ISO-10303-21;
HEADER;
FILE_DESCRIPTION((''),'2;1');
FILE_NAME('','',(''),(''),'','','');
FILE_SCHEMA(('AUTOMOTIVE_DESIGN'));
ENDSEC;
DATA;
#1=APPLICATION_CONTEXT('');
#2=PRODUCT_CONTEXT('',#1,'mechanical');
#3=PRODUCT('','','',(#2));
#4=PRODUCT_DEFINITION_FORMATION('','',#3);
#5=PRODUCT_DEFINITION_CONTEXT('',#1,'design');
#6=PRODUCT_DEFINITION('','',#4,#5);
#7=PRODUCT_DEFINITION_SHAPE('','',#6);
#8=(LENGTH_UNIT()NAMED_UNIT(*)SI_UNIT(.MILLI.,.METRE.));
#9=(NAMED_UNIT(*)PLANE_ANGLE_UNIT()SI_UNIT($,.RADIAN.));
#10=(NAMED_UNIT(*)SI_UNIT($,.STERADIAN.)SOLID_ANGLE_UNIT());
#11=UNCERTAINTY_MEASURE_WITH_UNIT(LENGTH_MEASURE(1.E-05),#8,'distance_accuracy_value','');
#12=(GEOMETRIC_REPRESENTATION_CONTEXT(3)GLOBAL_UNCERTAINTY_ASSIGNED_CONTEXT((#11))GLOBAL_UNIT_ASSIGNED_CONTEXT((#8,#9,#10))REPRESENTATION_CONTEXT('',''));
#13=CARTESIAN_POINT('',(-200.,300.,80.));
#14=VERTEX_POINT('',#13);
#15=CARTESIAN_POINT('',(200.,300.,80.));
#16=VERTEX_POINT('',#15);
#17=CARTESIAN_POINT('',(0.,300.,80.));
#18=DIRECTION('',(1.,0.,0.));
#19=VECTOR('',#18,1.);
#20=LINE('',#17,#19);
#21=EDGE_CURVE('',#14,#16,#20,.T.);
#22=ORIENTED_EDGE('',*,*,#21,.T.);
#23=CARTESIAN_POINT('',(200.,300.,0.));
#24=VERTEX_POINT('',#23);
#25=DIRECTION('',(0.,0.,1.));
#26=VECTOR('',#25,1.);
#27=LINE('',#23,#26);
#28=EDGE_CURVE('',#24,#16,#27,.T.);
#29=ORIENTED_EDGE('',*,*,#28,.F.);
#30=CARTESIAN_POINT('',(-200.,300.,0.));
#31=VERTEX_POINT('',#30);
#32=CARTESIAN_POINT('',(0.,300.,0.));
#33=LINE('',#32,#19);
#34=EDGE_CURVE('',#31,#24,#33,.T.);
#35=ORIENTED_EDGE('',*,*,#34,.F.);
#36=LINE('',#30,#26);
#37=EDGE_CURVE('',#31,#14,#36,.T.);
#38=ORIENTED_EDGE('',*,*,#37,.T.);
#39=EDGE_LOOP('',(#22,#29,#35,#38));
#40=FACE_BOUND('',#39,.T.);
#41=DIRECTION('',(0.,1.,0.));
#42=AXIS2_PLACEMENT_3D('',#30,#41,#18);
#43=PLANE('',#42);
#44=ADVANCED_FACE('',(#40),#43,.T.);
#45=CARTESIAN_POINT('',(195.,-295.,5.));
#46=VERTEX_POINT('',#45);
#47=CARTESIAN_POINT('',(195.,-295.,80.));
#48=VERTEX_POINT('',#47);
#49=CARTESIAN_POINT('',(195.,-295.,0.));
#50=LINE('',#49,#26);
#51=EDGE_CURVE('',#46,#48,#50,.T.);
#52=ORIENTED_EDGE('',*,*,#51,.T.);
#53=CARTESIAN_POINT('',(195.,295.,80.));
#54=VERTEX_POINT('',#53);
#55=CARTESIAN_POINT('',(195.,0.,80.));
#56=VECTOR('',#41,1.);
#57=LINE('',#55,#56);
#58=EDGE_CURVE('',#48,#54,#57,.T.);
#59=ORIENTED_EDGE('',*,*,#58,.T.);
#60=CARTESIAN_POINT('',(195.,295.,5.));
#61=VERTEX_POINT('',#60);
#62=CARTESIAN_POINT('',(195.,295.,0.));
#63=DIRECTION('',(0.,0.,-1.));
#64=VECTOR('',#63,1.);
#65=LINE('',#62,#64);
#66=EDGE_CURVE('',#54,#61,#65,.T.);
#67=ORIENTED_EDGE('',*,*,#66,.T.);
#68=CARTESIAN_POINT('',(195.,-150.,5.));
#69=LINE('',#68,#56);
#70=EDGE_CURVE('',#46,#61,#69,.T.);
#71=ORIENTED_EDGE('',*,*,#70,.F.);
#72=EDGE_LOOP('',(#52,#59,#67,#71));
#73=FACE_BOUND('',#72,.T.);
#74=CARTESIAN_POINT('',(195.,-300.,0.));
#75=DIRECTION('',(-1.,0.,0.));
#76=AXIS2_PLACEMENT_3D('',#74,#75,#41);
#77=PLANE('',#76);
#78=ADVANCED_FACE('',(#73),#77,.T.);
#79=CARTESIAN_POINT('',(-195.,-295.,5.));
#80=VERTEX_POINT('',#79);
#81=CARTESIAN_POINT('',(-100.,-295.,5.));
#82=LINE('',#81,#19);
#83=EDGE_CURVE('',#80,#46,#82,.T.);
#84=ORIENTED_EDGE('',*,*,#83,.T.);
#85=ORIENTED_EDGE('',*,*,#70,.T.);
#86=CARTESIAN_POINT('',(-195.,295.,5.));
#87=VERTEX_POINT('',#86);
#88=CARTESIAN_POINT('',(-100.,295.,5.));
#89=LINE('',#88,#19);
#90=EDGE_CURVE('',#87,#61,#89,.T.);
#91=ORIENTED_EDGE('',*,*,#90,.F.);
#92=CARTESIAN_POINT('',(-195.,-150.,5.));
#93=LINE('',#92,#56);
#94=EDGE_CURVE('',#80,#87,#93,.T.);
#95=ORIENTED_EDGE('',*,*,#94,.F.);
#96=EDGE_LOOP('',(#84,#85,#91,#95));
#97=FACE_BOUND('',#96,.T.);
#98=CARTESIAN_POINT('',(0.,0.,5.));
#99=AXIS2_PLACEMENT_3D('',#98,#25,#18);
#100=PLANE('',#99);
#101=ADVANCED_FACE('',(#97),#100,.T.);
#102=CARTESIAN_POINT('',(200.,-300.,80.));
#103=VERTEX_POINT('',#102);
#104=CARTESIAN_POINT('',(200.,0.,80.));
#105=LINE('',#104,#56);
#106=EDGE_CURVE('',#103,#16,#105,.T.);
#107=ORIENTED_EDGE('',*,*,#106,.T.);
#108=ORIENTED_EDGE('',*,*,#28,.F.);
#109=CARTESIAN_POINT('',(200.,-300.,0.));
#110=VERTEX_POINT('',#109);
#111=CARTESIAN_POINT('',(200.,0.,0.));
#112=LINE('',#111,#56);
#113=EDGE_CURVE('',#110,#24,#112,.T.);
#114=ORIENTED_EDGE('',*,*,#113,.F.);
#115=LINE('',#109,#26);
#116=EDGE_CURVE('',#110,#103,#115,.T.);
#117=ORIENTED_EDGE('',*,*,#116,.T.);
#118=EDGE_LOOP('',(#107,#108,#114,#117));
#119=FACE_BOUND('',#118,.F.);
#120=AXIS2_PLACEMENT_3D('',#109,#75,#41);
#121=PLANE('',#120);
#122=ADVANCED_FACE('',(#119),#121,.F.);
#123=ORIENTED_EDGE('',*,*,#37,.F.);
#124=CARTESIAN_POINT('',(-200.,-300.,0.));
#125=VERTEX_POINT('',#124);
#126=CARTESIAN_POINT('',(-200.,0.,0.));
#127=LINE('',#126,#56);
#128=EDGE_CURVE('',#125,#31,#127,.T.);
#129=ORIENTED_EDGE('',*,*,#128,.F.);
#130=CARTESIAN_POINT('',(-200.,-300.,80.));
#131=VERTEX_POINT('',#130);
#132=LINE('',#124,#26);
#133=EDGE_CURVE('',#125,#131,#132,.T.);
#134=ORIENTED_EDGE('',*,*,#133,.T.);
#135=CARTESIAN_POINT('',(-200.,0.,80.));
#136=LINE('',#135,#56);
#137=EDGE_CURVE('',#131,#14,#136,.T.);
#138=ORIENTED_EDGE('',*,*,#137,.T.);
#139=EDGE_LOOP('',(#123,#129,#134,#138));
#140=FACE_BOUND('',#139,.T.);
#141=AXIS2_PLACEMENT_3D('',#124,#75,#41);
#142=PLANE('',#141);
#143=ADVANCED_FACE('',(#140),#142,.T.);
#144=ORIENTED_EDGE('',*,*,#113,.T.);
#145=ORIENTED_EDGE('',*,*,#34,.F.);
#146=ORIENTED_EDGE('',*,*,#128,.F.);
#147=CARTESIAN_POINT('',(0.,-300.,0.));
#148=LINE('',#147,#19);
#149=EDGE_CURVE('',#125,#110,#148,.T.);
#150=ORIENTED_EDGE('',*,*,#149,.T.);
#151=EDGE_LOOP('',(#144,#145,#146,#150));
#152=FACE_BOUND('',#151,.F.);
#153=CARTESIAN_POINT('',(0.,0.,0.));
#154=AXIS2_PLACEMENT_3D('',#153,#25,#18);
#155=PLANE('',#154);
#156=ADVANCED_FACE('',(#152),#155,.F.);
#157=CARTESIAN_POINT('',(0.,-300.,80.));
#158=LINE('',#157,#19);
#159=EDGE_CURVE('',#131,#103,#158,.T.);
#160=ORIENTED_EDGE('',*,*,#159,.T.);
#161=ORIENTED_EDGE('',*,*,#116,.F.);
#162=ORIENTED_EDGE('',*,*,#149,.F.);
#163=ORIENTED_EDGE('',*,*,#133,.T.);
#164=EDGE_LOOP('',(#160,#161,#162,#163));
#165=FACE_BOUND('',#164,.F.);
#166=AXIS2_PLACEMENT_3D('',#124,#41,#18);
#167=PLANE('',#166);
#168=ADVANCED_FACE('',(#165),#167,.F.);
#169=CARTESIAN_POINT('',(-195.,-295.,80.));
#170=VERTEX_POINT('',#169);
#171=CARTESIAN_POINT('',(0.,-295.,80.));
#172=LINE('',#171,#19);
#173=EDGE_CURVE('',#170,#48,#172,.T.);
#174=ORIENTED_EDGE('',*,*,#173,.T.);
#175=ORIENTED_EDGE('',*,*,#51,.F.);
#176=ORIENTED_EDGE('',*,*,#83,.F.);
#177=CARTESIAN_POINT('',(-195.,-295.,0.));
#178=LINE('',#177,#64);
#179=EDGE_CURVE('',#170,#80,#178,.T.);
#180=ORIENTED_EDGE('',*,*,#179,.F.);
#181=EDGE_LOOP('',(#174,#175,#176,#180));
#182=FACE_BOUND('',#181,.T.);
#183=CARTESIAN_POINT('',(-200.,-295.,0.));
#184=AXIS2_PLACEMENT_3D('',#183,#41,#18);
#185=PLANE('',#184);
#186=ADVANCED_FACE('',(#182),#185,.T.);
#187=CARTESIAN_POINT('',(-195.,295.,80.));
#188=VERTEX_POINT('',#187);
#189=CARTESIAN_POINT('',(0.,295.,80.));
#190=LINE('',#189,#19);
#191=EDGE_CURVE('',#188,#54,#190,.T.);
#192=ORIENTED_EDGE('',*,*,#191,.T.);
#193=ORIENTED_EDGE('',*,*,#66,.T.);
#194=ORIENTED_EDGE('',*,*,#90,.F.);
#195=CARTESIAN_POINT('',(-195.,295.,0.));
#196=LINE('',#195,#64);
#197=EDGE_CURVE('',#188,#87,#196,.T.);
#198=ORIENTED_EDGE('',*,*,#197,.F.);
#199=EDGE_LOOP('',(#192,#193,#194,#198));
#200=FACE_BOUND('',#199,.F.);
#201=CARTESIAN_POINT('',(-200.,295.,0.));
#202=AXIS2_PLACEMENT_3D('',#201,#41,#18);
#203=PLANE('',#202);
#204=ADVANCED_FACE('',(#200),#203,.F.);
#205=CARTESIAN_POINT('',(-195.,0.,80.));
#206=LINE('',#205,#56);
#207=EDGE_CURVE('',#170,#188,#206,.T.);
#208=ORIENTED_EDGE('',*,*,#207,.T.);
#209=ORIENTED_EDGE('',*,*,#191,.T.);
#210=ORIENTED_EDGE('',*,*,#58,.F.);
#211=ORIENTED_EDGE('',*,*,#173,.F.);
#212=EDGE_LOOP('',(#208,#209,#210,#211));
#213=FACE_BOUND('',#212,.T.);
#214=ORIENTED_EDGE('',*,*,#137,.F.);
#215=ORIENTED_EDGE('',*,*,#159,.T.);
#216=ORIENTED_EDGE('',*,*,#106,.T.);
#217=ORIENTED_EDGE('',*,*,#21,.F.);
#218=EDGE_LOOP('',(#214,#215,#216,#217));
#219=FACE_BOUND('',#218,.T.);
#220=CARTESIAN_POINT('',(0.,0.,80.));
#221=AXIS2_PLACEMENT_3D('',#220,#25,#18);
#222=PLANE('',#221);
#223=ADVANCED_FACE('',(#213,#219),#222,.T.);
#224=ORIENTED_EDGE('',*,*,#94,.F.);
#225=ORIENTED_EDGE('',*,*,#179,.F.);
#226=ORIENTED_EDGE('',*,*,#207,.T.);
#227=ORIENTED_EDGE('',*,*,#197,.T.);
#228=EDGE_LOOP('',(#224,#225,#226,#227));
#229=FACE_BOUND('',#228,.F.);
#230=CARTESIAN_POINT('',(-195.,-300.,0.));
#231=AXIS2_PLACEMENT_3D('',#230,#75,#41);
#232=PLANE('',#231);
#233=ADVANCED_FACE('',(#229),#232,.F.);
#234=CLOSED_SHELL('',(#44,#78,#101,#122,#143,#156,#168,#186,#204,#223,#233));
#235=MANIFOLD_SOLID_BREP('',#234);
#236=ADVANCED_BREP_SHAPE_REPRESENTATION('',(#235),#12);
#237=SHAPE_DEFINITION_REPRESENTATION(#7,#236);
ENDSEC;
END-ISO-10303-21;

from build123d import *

# Parameters (mm, degrees)
F0_W     = 400
F0_H     = 600
F1_DEPTH = 80
F2_T     = -5


with BuildPart() as f1:
    # F0 (on Top) → F1 (new body)
    with BuildSketch(Plane.XY):
        Rectangle(F0_W, F0_H)
    extrude(amount=F1_DEPTH)

    # F2
    f2_openings = [f1.faces().sort_by_distance(p)[0] for p in [
        (0, 0, 80),
    ]]
    offset(amount=F2_T, openings=f2_openings)


with BuildPart() as f3_1:
    # F3: copy of F1
    add(f1.part.moved(Location((0, 0, 90))))


solid = f1.part
